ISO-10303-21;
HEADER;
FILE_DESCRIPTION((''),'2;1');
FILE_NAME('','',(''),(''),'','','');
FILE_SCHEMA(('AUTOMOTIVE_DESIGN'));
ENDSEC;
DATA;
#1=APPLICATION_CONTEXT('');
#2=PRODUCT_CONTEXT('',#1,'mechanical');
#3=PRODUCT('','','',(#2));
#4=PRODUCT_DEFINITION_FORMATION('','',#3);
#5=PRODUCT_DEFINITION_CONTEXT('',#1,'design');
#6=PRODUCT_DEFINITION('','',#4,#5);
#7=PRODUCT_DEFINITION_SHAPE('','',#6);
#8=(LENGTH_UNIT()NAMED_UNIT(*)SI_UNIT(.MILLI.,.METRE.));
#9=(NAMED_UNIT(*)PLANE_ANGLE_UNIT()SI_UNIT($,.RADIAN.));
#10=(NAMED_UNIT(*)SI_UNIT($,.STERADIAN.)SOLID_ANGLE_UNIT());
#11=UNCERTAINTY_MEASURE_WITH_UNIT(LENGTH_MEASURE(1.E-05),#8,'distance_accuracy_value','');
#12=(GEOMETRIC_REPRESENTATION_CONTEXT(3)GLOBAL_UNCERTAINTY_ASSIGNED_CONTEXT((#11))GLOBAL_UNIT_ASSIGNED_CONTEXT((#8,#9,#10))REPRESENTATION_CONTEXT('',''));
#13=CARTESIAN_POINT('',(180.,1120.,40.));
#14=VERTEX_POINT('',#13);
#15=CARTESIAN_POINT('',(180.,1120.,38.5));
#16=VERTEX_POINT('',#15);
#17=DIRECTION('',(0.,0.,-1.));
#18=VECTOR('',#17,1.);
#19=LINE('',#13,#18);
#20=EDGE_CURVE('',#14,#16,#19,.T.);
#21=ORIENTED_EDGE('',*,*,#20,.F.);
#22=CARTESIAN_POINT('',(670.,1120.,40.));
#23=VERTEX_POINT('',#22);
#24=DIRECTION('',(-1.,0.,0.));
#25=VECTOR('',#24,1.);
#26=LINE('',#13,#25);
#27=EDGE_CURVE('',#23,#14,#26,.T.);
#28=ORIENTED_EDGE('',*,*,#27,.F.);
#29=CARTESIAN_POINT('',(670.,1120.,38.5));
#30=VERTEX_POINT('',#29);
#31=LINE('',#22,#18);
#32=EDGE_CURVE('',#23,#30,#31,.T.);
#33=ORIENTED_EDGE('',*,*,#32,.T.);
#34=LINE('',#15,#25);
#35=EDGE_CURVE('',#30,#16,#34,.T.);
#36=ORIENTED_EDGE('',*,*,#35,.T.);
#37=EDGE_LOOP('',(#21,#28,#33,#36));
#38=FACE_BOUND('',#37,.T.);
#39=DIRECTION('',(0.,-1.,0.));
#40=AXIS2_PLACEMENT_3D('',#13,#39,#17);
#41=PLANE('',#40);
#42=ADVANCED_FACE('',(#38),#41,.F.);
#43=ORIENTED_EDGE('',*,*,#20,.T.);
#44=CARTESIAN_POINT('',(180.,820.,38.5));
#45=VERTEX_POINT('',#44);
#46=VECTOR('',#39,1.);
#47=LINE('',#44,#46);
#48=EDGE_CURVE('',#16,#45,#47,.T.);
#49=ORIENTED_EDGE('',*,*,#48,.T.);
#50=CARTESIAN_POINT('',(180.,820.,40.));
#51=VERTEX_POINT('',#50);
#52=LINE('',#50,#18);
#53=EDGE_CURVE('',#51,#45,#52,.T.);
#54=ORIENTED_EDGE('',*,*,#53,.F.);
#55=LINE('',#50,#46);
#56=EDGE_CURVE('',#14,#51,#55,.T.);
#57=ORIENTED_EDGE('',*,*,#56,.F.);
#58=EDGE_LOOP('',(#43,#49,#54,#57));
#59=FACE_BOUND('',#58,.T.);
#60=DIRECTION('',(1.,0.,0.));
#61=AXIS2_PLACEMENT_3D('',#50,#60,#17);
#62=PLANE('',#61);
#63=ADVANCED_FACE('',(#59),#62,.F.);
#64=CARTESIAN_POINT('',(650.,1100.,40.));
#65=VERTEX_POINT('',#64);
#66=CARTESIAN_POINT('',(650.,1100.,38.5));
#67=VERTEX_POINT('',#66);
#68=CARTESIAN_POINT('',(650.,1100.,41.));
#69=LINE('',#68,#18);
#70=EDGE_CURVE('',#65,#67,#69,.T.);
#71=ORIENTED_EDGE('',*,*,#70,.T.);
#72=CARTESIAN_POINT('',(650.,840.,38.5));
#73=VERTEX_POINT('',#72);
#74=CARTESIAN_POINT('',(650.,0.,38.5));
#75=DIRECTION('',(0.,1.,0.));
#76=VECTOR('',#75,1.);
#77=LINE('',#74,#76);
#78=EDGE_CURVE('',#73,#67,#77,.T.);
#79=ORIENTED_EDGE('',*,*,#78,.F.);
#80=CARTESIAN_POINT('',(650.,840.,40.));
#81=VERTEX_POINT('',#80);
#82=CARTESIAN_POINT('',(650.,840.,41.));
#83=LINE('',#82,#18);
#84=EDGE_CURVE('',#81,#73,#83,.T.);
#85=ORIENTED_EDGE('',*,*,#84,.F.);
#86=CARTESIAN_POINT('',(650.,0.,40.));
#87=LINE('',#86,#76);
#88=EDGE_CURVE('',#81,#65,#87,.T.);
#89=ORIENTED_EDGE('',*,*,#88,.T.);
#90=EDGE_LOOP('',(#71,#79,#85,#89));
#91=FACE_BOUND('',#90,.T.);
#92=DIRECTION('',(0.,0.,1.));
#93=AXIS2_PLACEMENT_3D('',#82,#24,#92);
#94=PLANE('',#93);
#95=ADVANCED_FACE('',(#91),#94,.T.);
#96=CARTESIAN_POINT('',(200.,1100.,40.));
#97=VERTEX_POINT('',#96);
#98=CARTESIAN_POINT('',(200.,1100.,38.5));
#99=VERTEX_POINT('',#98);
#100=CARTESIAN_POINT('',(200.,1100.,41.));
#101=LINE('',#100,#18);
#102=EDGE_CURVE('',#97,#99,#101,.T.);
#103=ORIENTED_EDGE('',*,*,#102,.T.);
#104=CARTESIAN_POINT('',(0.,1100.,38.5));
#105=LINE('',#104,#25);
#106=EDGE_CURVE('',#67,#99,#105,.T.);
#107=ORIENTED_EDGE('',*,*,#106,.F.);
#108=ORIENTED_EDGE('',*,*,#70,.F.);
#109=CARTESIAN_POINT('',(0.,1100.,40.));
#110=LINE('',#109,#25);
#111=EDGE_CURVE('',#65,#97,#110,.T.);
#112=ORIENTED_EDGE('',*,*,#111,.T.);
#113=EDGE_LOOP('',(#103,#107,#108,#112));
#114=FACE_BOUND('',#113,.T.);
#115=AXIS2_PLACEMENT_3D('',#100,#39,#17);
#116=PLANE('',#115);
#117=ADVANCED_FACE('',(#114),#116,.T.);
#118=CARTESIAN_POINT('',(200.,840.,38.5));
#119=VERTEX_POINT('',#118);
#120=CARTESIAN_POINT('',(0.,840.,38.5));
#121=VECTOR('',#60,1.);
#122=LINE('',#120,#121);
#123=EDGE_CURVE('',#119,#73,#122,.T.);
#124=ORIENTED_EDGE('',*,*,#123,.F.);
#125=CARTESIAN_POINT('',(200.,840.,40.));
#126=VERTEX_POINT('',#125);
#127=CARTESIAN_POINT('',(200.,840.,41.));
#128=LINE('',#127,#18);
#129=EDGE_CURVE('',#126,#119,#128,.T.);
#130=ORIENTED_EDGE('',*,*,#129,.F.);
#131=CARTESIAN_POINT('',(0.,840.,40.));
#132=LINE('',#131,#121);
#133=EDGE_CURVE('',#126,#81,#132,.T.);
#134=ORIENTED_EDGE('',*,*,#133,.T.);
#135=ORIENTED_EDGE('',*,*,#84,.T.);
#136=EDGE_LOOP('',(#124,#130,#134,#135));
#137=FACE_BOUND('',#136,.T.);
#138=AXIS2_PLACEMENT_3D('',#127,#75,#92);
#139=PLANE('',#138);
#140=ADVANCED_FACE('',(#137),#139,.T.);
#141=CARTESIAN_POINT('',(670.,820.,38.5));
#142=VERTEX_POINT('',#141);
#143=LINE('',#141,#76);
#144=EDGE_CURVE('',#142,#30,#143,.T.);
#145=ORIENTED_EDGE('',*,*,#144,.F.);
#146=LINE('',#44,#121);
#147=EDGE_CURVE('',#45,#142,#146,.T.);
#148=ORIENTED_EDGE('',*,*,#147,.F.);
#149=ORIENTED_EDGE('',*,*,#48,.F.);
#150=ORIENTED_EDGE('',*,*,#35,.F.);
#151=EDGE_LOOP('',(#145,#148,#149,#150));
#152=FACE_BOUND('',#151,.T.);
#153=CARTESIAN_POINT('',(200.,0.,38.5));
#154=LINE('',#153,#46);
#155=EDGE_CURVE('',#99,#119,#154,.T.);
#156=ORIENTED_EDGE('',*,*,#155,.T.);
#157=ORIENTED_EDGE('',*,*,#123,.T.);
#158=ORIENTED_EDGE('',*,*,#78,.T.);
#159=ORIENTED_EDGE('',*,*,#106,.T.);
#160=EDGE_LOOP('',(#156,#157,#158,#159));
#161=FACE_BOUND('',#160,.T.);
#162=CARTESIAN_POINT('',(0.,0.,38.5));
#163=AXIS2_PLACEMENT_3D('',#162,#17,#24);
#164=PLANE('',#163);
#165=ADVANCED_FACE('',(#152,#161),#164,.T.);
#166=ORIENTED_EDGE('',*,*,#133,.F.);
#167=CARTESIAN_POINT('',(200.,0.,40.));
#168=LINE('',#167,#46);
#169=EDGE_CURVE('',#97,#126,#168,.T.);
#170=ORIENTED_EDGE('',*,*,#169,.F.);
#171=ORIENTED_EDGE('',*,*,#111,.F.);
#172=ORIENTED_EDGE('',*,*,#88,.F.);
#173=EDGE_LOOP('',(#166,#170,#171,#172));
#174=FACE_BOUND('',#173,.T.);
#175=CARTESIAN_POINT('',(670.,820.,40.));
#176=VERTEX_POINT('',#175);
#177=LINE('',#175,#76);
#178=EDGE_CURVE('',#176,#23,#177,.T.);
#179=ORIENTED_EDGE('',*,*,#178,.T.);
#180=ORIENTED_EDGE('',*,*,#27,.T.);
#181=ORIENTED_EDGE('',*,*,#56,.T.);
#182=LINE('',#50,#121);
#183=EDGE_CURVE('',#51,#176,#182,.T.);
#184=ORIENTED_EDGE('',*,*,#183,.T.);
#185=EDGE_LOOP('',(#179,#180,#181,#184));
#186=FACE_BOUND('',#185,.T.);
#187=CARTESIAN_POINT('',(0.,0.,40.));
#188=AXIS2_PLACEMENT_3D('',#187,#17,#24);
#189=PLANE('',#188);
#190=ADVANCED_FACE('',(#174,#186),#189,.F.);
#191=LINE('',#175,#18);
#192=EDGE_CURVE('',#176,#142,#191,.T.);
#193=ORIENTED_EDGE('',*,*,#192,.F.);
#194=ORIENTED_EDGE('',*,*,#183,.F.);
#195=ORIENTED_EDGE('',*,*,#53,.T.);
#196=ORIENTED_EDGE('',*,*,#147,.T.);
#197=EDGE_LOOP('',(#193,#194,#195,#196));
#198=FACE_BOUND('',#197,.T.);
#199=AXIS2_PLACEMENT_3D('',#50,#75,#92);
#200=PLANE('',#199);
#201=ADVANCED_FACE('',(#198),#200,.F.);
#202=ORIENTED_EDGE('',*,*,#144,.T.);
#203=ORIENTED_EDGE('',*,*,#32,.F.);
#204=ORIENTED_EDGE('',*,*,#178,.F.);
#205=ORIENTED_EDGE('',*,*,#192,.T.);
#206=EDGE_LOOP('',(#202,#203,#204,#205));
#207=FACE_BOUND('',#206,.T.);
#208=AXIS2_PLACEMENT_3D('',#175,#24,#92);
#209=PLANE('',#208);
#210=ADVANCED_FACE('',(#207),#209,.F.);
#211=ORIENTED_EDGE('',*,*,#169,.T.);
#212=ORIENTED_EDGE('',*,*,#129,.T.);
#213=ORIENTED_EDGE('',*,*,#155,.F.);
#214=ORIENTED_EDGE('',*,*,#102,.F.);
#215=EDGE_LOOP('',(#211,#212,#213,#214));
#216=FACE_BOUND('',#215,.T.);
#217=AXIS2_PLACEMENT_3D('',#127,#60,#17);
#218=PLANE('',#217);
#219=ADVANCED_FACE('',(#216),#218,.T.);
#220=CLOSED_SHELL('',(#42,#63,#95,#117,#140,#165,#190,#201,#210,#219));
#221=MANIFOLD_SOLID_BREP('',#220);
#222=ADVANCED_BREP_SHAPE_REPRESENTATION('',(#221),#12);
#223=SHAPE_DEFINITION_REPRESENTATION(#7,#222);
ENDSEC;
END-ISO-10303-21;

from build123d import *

# Parameters (mm, degrees)
OVEN_PANEL_SPREY_1_START = 38.5
SKETCH1_W                = 490
SKETCH1_H                = 300
OVEN_PANEL_SPREY_1_DEPTH = 1.5
OVEN_PANEL_SPREY_2_START = 37.5
SKETCH2_W                = 450
SKETCH2_H                = 260
OVEN_PANEL_SPREY_2_DEPTH = 3.5


with BuildPart() as part:
    # Sketch1 → OVEN_panel_sprey_1 (new body)
    with BuildSketch(Plane.XY.offset(OVEN_PANEL_SPREY_1_START)):
        with Locations((425, 970)):
            Rectangle(SKETCH1_W, SKETCH1_H)
    extrude(amount=OVEN_PANEL_SPREY_1_DEPTH)

    # Sketch2 → OVEN_panel_sprey_2 (cut)
    with BuildSketch(Plane.XY.offset(OVEN_PANEL_SPREY_2_START)):
        with Locations((425, 970)):
            Rectangle(SKETCH2_W, SKETCH2_H)
    extrude(amount=OVEN_PANEL_SPREY_2_DEPTH, mode=Mode.SUBTRACT)


solid = part.part
